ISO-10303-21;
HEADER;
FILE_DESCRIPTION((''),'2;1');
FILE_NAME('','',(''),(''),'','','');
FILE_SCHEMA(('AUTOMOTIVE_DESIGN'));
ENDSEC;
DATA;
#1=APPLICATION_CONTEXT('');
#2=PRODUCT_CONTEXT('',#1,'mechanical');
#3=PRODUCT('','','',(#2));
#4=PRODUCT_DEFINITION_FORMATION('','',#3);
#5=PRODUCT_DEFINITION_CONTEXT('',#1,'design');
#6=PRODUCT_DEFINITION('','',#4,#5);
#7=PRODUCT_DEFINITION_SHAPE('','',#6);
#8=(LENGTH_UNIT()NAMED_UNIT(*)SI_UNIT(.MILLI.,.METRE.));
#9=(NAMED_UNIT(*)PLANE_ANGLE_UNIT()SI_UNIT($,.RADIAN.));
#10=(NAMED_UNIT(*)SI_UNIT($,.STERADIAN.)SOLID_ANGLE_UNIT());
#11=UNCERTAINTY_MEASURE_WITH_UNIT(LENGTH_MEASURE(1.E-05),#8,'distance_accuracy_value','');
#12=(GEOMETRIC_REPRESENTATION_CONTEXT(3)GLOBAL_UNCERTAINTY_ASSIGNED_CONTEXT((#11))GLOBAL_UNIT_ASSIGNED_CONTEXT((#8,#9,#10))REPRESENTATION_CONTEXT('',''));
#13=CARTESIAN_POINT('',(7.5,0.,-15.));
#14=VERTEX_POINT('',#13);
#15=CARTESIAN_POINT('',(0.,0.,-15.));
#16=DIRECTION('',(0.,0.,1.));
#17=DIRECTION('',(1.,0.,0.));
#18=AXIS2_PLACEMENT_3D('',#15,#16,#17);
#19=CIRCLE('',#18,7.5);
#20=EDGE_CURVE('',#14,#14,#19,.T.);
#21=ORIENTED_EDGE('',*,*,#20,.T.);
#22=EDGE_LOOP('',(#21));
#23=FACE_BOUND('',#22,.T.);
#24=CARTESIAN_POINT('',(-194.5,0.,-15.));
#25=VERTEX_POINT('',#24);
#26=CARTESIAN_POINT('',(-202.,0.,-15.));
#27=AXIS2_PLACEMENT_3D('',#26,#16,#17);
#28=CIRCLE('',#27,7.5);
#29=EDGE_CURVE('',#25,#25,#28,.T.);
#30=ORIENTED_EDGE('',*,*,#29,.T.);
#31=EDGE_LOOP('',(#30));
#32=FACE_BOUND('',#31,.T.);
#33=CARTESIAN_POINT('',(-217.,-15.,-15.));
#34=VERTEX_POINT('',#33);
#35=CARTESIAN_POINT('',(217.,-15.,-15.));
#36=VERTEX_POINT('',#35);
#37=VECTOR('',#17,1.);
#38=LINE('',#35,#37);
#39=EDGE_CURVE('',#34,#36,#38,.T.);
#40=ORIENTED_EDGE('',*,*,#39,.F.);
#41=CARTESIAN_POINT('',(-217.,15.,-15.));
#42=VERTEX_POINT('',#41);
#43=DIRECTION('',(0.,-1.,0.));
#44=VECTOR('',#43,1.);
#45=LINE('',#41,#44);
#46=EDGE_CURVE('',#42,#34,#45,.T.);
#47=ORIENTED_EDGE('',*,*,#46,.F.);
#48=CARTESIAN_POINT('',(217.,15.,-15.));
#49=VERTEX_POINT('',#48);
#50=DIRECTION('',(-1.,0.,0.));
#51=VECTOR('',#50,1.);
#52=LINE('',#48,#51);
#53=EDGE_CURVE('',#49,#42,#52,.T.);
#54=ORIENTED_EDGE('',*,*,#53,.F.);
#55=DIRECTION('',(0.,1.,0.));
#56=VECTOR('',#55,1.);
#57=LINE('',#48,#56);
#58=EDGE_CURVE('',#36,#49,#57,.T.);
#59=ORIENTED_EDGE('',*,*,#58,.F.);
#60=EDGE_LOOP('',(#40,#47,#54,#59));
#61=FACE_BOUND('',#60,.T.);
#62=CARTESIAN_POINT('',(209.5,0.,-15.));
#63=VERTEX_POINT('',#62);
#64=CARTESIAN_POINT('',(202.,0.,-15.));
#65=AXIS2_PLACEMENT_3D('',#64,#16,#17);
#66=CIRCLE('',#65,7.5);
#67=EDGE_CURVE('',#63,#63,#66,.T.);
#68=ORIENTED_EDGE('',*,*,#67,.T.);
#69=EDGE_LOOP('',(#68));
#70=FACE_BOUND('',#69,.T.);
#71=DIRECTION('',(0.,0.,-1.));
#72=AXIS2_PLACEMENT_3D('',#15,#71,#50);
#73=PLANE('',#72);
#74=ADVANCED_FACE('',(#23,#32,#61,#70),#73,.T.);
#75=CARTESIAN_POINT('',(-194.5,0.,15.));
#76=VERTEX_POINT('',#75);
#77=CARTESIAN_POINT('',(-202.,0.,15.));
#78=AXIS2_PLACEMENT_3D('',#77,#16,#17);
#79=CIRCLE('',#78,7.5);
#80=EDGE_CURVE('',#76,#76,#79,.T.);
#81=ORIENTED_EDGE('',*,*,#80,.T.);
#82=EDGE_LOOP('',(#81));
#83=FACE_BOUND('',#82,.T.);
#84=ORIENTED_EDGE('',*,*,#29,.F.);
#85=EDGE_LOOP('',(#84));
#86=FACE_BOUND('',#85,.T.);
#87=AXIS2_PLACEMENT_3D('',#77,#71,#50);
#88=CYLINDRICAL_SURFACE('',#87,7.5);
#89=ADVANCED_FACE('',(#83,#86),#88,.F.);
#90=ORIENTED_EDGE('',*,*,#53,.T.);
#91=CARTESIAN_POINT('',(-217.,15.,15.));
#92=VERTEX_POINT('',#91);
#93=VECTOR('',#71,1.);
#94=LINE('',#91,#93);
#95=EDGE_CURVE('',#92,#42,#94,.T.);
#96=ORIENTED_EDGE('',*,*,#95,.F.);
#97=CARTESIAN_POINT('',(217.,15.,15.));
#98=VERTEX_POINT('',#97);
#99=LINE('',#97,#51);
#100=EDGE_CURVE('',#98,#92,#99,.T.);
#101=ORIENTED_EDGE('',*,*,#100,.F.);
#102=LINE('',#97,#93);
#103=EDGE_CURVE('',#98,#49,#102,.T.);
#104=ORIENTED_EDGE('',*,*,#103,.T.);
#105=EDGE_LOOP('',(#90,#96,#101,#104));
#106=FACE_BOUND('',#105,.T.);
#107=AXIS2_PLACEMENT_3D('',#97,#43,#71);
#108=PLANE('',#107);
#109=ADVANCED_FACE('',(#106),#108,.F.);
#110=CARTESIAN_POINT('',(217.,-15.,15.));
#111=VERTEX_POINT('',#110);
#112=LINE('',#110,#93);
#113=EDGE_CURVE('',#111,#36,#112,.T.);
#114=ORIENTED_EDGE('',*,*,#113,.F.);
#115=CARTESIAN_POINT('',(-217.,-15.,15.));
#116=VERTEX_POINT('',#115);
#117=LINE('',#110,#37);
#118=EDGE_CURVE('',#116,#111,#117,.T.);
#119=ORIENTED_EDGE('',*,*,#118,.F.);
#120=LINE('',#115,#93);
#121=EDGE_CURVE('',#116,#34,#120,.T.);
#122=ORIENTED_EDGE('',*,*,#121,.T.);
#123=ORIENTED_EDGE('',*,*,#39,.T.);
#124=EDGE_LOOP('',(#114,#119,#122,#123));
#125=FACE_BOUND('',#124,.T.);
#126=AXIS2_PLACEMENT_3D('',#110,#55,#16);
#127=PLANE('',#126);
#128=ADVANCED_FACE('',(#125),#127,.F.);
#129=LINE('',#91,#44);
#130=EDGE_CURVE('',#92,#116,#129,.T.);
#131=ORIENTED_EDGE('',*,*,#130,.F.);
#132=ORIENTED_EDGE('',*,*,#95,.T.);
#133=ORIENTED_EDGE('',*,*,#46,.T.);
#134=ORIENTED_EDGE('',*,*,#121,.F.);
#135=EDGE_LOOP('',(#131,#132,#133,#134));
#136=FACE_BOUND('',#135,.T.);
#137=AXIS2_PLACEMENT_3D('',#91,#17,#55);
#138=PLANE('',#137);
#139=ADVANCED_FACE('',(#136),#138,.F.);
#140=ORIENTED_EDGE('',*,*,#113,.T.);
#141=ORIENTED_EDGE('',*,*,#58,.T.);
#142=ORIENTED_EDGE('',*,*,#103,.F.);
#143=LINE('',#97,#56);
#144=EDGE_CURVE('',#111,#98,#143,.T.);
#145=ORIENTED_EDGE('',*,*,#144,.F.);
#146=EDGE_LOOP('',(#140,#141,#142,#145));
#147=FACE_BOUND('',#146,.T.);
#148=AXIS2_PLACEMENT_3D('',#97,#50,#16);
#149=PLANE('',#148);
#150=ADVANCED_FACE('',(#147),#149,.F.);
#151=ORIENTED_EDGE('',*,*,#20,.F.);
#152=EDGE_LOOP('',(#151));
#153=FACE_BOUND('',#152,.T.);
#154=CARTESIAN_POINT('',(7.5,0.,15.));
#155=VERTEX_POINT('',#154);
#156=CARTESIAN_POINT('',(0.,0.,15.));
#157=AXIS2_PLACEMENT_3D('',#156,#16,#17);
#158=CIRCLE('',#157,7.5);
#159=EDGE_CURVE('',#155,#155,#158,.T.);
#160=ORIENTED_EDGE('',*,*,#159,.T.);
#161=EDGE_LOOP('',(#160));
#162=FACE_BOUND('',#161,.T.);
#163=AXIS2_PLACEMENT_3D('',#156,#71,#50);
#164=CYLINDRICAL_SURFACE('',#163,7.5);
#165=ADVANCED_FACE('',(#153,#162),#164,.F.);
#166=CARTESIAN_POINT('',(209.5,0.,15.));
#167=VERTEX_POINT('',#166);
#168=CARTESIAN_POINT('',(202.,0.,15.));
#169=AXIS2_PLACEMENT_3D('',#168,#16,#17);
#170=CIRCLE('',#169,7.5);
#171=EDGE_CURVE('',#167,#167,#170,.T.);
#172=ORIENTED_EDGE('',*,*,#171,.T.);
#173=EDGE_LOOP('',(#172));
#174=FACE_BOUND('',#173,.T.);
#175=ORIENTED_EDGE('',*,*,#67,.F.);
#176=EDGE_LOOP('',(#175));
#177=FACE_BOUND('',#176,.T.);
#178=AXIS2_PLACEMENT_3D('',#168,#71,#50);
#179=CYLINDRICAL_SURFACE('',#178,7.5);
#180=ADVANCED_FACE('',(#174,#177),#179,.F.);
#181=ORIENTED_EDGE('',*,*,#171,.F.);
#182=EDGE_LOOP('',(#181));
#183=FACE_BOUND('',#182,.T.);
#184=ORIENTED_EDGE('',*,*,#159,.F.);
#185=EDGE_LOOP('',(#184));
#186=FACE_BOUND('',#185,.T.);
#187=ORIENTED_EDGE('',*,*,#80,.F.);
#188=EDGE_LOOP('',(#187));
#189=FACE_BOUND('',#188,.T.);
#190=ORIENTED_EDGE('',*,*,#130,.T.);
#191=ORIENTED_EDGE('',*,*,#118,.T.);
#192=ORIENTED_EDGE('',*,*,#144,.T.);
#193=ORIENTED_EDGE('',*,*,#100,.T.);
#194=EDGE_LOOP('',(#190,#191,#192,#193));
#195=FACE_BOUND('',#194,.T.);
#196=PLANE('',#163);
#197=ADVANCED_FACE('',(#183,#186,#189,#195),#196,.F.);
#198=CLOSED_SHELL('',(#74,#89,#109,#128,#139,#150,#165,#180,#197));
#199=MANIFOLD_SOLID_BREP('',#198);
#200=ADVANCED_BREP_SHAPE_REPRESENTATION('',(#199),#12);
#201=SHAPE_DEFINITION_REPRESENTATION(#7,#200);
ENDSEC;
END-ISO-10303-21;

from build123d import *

# Parameters (mm, degrees)
SKETCH1_W           = 434
SKETCH1_H           = 30
SKETCH1_R           = 7.5
BOSS_EXTRUDE1_DEPTH = 15


with BuildPart() as part:
    # Sketch1 → Boss-Extrude1 (new, symmetric)
    with BuildSketch(Plane.XY):
        Rectangle(SKETCH1_W, SKETCH1_H)
        with Locations((-202, 0)):
            Circle(SKETCH1_R, mode=Mode.SUBTRACT)
        with Locations((202, 0)):
            Circle(SKETCH1_R, mode=Mode.SUBTRACT)
        Circle(SKETCH1_R, mode=Mode.SUBTRACT)
    extrude(amount=BOSS_EXTRUDE1_DEPTH, both=True)


solid = part.part
